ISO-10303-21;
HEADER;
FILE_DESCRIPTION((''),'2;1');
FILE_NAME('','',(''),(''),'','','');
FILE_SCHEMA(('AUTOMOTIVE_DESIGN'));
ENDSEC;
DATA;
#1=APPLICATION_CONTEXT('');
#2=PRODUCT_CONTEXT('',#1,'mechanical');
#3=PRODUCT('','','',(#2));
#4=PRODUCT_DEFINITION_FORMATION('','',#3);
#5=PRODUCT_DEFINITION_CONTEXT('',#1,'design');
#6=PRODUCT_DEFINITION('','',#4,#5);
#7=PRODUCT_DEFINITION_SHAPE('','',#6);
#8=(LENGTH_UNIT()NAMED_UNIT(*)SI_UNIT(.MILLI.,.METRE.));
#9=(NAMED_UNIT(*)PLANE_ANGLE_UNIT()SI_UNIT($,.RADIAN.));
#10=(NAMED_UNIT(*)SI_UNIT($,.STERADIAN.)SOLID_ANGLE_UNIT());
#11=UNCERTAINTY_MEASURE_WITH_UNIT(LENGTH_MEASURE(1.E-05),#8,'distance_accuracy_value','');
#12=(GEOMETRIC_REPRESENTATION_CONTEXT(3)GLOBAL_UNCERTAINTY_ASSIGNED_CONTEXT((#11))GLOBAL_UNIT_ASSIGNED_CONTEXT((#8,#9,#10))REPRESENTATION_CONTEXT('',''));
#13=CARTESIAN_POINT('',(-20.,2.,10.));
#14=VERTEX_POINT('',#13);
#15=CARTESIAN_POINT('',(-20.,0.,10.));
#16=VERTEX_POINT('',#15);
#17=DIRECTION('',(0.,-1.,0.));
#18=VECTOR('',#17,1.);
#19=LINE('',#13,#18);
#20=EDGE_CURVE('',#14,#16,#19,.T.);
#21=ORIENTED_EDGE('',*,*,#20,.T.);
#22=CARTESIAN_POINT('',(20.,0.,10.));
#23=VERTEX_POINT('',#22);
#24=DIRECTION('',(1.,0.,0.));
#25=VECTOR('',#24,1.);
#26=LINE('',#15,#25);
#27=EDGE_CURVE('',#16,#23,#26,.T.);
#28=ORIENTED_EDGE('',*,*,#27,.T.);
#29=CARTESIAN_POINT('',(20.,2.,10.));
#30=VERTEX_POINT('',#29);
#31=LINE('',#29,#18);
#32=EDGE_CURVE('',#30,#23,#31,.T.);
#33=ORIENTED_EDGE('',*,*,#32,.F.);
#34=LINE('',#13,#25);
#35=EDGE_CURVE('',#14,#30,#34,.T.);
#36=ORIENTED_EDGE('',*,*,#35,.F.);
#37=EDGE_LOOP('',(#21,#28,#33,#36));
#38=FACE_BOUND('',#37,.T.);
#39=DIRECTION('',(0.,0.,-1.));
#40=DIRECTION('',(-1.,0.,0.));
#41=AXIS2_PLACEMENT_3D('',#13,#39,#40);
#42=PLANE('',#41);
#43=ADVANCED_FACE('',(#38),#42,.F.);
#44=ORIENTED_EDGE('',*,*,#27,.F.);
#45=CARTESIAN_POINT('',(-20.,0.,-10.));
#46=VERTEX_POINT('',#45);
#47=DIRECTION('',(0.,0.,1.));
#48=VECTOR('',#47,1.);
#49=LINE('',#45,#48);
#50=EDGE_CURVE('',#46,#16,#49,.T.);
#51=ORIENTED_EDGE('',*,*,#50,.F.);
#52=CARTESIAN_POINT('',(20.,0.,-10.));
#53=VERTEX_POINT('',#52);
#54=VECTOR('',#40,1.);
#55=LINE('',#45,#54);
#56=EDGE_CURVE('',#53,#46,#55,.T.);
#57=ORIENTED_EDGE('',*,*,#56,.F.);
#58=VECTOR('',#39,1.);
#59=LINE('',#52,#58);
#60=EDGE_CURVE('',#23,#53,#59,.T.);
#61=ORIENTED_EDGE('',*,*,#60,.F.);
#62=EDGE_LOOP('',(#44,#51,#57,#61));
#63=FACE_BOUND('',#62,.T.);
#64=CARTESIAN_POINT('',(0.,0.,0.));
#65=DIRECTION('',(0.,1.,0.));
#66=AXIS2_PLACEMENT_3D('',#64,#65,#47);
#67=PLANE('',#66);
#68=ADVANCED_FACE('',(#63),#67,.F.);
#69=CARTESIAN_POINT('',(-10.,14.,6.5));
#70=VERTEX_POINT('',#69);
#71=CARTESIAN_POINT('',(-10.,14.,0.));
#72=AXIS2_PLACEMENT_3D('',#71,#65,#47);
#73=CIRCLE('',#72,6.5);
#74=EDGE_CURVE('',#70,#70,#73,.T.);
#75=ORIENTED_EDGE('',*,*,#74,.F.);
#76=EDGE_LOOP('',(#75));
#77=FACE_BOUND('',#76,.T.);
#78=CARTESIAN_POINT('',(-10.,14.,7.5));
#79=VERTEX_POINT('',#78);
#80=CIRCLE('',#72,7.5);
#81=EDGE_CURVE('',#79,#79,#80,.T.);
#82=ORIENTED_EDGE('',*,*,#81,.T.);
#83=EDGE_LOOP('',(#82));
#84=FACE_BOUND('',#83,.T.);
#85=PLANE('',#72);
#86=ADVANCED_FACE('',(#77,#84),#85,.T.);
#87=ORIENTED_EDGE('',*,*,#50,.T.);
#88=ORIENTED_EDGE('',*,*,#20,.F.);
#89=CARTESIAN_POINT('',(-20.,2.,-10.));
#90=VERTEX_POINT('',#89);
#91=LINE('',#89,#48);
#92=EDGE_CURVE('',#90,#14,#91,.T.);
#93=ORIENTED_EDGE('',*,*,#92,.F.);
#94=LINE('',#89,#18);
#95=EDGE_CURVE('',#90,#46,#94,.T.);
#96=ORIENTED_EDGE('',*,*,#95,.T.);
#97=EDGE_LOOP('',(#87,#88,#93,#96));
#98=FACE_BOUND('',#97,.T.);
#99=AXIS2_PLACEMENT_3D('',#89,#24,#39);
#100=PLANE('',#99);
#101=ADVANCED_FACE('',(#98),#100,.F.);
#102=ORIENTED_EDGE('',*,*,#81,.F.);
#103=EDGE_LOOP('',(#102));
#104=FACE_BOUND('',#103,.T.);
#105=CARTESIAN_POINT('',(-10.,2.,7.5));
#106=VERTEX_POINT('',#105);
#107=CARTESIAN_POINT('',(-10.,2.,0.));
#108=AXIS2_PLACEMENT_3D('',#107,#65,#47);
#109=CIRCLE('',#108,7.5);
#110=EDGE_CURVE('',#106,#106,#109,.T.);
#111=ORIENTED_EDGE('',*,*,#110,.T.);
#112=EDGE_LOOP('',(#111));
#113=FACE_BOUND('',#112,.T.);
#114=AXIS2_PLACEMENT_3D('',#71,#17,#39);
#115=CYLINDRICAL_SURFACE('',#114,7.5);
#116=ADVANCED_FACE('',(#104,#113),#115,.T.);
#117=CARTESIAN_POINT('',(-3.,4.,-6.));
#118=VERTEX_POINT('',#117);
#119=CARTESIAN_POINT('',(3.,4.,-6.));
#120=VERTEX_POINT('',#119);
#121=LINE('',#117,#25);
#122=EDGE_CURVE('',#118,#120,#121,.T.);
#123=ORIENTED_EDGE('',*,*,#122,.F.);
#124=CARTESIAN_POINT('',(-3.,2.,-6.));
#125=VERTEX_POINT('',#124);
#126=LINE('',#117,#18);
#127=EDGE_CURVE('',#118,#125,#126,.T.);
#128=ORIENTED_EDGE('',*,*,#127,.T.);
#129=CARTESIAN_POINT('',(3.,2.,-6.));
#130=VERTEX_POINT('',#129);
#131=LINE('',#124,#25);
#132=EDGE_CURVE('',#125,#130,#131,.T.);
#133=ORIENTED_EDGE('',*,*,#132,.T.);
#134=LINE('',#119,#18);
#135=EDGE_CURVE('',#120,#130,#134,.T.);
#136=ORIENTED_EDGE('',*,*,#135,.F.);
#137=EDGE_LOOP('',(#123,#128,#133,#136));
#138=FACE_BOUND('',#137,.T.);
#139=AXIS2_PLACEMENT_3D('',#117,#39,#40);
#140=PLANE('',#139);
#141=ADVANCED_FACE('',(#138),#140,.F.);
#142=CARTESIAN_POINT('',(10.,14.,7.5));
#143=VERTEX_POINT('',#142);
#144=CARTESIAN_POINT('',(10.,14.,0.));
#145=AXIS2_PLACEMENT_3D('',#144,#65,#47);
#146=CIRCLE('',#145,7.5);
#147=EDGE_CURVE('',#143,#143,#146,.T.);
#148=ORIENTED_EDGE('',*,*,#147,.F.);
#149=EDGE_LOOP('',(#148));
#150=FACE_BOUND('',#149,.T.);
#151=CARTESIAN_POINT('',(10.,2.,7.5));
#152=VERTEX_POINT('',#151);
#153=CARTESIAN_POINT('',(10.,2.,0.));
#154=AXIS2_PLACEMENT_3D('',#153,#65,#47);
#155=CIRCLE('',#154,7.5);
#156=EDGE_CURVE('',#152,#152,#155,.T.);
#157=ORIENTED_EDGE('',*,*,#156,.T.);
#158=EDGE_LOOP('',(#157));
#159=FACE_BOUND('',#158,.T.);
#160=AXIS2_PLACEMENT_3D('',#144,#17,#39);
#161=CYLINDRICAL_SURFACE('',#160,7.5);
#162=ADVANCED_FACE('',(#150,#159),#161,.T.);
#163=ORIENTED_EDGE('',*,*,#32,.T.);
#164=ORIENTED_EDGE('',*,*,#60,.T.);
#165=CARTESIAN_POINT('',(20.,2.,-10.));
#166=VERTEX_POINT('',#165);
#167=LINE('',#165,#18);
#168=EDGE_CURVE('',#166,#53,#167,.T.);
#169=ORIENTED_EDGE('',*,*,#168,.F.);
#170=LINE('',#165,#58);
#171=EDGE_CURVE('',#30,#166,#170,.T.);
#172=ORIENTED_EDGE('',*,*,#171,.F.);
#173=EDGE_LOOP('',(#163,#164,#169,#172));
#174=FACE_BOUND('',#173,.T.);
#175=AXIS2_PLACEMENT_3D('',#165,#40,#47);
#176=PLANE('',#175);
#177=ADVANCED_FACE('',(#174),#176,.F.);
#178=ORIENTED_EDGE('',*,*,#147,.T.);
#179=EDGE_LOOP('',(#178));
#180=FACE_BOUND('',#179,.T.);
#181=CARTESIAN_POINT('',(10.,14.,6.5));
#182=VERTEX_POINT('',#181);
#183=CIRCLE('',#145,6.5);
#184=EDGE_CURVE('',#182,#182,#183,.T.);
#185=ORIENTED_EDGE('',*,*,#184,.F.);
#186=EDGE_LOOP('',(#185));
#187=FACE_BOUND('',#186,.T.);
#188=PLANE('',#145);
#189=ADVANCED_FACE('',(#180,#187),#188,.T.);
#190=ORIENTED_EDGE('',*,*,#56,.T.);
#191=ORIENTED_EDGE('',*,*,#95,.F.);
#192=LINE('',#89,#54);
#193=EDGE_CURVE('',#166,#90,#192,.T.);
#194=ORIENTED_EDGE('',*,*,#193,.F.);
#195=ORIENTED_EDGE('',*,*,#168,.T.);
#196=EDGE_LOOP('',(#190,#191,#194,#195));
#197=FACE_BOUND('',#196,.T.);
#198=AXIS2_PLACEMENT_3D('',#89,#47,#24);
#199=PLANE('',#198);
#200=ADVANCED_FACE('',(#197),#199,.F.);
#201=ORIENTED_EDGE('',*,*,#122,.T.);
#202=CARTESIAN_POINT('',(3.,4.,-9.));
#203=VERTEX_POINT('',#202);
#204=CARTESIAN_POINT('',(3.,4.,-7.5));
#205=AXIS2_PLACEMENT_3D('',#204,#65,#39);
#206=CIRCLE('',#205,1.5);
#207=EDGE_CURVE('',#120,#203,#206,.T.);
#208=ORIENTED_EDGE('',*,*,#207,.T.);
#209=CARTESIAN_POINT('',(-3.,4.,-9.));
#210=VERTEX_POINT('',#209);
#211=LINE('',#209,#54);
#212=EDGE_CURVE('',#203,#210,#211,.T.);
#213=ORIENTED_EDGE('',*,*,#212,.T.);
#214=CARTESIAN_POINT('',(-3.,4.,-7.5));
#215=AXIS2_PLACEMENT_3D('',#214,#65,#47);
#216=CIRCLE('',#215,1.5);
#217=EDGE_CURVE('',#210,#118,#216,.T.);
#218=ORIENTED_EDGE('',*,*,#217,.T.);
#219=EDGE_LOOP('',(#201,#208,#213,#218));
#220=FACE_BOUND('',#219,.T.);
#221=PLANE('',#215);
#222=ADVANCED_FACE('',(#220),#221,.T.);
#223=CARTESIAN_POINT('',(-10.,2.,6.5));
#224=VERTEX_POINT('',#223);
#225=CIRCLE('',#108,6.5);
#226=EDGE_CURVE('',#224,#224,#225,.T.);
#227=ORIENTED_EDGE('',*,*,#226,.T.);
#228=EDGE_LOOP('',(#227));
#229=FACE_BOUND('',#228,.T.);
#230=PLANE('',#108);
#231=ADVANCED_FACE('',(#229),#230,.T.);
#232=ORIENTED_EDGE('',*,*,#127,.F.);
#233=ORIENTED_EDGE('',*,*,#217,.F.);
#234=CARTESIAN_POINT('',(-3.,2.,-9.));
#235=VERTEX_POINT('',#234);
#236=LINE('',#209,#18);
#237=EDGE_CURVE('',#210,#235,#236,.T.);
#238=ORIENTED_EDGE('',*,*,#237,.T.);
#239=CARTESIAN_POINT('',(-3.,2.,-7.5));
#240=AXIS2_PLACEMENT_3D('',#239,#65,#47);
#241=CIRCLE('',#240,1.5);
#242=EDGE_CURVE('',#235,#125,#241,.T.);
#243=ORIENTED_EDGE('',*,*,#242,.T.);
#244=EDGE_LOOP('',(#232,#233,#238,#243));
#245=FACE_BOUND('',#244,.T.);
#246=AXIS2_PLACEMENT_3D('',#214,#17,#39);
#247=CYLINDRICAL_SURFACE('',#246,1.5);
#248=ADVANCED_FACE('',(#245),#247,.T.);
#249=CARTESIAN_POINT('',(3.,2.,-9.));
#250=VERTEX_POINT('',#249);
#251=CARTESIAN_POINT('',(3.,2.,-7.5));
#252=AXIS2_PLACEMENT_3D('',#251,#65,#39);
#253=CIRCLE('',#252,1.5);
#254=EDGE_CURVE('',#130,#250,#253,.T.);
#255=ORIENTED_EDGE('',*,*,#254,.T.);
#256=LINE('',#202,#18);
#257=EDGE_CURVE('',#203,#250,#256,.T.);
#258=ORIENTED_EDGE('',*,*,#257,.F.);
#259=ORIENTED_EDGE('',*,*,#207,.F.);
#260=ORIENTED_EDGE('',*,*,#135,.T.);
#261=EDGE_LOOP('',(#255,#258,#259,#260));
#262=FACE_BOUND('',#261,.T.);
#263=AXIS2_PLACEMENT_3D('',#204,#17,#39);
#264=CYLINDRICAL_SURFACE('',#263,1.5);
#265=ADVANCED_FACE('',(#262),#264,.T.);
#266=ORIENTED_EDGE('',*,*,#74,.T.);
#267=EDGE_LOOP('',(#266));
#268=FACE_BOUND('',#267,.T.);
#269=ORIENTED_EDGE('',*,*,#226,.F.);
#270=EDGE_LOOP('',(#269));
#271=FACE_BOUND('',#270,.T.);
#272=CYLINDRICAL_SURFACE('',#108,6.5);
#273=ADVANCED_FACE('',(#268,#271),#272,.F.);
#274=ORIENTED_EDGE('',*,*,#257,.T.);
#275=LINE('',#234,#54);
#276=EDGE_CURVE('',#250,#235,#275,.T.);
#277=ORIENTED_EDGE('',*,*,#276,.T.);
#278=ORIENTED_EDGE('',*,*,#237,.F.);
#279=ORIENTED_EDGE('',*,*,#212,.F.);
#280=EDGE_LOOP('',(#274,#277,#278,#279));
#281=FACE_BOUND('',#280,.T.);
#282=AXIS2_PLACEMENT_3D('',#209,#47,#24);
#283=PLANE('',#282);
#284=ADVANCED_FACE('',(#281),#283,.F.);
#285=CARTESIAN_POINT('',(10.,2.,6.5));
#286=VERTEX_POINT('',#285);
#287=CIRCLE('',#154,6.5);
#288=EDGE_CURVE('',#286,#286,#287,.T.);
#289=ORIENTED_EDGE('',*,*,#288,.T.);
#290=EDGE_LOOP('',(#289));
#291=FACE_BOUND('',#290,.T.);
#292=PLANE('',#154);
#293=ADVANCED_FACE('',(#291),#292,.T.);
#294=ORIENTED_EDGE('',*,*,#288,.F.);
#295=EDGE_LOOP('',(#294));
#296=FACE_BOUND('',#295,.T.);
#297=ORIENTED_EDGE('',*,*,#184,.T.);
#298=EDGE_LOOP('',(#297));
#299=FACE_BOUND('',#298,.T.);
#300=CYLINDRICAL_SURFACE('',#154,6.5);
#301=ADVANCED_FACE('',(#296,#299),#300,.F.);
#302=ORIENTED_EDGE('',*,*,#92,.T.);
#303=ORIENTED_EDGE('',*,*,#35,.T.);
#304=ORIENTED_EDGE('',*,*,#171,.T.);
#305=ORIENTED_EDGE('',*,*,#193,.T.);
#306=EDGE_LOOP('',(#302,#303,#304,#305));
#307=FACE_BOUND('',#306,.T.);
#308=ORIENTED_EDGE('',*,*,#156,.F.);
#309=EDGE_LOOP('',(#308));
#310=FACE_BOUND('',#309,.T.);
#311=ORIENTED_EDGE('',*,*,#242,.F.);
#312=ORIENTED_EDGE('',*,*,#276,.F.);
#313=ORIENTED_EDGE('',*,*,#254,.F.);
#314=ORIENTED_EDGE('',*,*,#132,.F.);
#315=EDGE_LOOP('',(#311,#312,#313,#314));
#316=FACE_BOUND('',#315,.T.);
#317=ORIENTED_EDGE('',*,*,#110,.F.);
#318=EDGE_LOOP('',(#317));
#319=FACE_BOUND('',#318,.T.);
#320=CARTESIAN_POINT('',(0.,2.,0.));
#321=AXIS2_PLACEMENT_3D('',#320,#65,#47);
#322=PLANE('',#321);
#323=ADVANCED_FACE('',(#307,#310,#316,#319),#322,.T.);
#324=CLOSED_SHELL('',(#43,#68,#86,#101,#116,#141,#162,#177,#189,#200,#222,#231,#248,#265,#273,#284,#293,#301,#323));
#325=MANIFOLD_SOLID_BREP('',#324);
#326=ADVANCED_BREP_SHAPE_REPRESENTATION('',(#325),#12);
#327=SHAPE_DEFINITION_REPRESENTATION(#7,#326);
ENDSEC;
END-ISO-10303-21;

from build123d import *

# Parameters (mm, degrees)
SKETCH1_W           = 40
SKETCH1_H           = 20
BOSS_EXTRUDE1_DEPTH = 2
SKETCH2_R           = 7.5
BOSS_EXTRUDE2_DEPTH = 12
SKETCH3_R           = 6.5
CUT_EXTRUDE1_DEPTH  = 12
SKETCH7_R           = 6.5
CUT_EXTRUDE2_DEPTH  = 12
BOSS_EXTRUDE3_DEPTH = 2


with BuildPart() as part:
    # Sketch1 → Boss-Extrude1 (new body)
    with BuildSketch(Plane(origin=(0, 0, 0), x_dir=(1, 0, 0), z_dir=(0, 1, 0))):
        Rectangle(SKETCH1_W, SKETCH1_H)
    extrude(amount=BOSS_EXTRUDE1_DEPTH)

    # Sketch2 → Boss-Extrude2 (add)
    with BuildSketch(Plane(origin=(0, 2, 0), x_dir=(1, 0, 0), z_dir=(0, 1, 0))):
        with Locations(Location((-10, 0, 0), (0, 0, 270))):
            Circle(SKETCH2_R)
        with Locations(Location((10, 0, 0), (0, 0, 270))):
            Circle(SKETCH2_R)
    extrude(amount=BOSS_EXTRUDE2_DEPTH)

    # Sketch3 → Cut-Extrude1 (cut)
    with BuildSketch(Plane(origin=(0, 14, 0), x_dir=(1, 0, 0), z_dir=(0, 1, 0))):
        with Locations(Location((-10, 0, 0), (0, 0, 270))):
            Circle(SKETCH3_R)
    extrude(amount=-CUT_EXTRUDE1_DEPTH, mode=Mode.SUBTRACT)

    # Sketch7 → Cut-Extrude2 (cut)
    with BuildSketch(Plane(origin=(0, 14, 0), x_dir=(1, 0, 0), z_dir=(0, 1, 0))):
        with Locations(Location((10, 0, 0), (0, 0, 270))):
            Circle(SKETCH7_R)
    extrude(amount=-CUT_EXTRUDE2_DEPTH, mode=Mode.SUBTRACT)

    # Sketch9 → Boss-Extrude3 (add)
    with BuildSketch(Plane(origin=(0, 2, 0), x_dir=(1, 0, 0), z_dir=(0, 1, 0))):
        with BuildLine():
            Line((-3, 9), (3, 9))
            ThreePointArc((3, 9), (4.5, 7.5), (3, 6))
            Line((3, 6), (-3, 6))
            ThreePointArc((-3, 6), (-4.5, 7.5), (-3, 9))
        make_face()
    extrude(amount=BOSS_EXTRUDE3_DEPTH)


solid = part.part
